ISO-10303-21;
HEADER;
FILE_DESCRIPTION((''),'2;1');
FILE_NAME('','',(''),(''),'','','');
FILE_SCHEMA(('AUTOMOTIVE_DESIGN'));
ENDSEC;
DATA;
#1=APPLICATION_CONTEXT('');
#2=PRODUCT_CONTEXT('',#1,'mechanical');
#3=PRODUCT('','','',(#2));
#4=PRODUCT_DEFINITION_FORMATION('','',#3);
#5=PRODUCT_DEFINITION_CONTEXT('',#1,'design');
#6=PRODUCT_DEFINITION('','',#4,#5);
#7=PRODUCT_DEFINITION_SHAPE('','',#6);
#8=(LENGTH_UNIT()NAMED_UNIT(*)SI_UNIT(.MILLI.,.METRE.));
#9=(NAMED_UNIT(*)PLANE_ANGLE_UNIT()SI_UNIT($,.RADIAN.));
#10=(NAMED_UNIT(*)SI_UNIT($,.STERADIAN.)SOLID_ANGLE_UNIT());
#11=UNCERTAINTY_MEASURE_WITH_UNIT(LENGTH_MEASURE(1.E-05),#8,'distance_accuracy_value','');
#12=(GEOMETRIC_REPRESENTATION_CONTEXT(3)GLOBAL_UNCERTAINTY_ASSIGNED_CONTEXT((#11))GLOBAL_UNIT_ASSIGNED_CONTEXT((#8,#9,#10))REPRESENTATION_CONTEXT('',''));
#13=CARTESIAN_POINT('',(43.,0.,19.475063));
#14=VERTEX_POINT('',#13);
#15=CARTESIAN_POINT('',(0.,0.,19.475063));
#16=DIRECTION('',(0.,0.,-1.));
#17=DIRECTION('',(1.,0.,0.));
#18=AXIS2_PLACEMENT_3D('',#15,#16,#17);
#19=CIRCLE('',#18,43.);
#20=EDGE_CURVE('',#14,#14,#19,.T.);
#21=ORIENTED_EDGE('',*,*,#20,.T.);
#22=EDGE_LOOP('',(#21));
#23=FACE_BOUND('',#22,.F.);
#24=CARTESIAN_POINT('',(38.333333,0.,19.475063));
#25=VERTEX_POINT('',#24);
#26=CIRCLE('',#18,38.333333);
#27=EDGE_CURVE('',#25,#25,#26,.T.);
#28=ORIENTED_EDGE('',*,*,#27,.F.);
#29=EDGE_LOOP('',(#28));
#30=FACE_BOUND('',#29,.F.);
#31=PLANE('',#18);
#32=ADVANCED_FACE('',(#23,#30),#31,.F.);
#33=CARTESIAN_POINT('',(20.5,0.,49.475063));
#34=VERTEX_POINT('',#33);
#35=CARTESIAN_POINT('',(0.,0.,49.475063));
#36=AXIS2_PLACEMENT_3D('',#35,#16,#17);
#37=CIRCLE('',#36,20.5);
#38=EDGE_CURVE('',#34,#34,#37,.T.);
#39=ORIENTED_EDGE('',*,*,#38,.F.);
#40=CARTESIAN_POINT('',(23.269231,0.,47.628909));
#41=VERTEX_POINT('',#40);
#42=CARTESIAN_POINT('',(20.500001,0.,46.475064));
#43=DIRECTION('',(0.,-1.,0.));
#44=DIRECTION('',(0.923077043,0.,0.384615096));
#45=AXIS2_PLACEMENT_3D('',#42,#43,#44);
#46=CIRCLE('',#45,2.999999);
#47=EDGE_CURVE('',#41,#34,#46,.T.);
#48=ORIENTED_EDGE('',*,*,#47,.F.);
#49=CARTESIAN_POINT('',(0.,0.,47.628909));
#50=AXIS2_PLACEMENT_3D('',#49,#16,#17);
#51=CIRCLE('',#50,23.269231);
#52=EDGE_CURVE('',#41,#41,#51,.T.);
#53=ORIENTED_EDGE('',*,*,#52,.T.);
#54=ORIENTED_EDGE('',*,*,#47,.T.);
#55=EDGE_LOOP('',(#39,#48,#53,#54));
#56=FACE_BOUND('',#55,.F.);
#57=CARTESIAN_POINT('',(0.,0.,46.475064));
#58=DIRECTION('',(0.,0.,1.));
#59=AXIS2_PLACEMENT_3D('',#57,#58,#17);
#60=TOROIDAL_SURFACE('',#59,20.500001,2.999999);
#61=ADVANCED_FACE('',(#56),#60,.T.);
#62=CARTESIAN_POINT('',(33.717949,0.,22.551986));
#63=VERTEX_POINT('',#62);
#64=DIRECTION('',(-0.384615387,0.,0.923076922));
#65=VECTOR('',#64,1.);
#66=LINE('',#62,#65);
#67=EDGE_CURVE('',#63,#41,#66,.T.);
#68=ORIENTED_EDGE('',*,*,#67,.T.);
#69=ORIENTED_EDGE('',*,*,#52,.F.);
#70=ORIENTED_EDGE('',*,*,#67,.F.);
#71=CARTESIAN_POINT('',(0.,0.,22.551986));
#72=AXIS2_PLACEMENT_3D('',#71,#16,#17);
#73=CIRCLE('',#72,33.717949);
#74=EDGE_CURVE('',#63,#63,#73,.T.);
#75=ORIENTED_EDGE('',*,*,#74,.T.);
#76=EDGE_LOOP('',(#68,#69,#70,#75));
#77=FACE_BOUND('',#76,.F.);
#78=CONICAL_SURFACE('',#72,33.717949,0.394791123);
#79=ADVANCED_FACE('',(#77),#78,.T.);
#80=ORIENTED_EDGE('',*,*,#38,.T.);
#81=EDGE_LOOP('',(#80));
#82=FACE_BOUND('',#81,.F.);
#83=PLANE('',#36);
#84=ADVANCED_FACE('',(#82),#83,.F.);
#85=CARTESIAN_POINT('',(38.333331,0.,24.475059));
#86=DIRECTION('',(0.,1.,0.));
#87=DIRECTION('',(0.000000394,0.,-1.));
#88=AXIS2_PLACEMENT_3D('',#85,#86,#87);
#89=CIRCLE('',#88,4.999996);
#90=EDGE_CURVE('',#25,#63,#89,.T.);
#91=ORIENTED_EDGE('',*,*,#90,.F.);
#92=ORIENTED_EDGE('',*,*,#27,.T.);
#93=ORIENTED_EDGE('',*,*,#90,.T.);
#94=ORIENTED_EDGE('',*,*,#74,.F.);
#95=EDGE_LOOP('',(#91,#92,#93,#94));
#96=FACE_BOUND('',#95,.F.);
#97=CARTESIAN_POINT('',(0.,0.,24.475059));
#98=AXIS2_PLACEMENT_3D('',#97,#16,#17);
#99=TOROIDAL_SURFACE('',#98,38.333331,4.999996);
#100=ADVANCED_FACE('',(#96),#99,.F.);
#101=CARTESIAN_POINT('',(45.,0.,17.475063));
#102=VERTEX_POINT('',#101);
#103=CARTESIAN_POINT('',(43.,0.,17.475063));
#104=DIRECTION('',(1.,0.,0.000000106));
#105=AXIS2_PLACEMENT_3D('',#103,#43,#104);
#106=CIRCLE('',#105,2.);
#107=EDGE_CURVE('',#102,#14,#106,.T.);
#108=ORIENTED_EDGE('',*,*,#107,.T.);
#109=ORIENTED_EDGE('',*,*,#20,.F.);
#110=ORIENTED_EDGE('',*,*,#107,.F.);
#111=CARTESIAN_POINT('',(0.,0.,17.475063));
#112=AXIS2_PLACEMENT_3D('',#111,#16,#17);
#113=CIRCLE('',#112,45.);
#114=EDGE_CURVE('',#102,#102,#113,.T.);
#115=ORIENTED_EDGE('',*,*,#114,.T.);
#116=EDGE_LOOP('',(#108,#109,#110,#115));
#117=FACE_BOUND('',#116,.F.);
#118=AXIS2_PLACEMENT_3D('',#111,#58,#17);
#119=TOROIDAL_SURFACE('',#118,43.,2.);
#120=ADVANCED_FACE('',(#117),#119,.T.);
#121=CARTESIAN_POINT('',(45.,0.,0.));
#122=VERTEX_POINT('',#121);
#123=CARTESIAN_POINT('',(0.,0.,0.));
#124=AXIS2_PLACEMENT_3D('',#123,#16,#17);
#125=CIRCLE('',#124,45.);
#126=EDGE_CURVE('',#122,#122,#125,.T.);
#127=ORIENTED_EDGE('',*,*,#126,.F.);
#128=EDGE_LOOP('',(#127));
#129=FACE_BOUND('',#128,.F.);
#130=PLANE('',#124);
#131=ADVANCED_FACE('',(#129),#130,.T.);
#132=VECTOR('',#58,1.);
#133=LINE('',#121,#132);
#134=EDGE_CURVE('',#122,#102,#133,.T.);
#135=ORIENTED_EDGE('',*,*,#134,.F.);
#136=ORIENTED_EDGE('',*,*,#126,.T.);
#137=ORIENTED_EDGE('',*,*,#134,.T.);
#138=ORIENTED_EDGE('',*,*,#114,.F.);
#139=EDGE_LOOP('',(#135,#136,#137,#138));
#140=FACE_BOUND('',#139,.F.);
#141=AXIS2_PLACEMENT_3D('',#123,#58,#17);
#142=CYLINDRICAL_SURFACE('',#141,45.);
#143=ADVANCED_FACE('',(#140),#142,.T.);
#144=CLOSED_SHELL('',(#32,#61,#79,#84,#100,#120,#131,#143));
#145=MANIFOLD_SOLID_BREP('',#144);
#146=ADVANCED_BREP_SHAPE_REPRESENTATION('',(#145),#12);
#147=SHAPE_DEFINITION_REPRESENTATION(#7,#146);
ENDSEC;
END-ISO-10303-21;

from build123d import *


with BuildPart() as f1:
    # F0 (on Front) → F1 (revolve)
    with BuildSketch(Plane.XZ):
        with BuildLine():
            Line((20.5, 49.475063), (0, 49.475063))
            Line((0, 49.475063), (0, 0))
            Line((0, 0), (45, 0))
            Line((45, 0), (45, 17.475063))
            ThreePointArc((45, 17.475063), (44.414214, 18.889276), (43, 19.475063))
            Line((43, 19.475063), (38.333333, 19.475063))
            ThreePointArc((38.333333, 19.475063), (35.559832, 20.314811), (33.717949, 22.551986))
            Line((33.717949, 22.551986), (23.269231, 47.628909))
            ThreePointArc((23.269231, 47.628909), (22.164101, 48.971214), (20.5, 49.475063))
        make_face()
    revolve(axis=Axis((0, 0, 16.925779), (0, 0, -1)))


solid = f1.part
